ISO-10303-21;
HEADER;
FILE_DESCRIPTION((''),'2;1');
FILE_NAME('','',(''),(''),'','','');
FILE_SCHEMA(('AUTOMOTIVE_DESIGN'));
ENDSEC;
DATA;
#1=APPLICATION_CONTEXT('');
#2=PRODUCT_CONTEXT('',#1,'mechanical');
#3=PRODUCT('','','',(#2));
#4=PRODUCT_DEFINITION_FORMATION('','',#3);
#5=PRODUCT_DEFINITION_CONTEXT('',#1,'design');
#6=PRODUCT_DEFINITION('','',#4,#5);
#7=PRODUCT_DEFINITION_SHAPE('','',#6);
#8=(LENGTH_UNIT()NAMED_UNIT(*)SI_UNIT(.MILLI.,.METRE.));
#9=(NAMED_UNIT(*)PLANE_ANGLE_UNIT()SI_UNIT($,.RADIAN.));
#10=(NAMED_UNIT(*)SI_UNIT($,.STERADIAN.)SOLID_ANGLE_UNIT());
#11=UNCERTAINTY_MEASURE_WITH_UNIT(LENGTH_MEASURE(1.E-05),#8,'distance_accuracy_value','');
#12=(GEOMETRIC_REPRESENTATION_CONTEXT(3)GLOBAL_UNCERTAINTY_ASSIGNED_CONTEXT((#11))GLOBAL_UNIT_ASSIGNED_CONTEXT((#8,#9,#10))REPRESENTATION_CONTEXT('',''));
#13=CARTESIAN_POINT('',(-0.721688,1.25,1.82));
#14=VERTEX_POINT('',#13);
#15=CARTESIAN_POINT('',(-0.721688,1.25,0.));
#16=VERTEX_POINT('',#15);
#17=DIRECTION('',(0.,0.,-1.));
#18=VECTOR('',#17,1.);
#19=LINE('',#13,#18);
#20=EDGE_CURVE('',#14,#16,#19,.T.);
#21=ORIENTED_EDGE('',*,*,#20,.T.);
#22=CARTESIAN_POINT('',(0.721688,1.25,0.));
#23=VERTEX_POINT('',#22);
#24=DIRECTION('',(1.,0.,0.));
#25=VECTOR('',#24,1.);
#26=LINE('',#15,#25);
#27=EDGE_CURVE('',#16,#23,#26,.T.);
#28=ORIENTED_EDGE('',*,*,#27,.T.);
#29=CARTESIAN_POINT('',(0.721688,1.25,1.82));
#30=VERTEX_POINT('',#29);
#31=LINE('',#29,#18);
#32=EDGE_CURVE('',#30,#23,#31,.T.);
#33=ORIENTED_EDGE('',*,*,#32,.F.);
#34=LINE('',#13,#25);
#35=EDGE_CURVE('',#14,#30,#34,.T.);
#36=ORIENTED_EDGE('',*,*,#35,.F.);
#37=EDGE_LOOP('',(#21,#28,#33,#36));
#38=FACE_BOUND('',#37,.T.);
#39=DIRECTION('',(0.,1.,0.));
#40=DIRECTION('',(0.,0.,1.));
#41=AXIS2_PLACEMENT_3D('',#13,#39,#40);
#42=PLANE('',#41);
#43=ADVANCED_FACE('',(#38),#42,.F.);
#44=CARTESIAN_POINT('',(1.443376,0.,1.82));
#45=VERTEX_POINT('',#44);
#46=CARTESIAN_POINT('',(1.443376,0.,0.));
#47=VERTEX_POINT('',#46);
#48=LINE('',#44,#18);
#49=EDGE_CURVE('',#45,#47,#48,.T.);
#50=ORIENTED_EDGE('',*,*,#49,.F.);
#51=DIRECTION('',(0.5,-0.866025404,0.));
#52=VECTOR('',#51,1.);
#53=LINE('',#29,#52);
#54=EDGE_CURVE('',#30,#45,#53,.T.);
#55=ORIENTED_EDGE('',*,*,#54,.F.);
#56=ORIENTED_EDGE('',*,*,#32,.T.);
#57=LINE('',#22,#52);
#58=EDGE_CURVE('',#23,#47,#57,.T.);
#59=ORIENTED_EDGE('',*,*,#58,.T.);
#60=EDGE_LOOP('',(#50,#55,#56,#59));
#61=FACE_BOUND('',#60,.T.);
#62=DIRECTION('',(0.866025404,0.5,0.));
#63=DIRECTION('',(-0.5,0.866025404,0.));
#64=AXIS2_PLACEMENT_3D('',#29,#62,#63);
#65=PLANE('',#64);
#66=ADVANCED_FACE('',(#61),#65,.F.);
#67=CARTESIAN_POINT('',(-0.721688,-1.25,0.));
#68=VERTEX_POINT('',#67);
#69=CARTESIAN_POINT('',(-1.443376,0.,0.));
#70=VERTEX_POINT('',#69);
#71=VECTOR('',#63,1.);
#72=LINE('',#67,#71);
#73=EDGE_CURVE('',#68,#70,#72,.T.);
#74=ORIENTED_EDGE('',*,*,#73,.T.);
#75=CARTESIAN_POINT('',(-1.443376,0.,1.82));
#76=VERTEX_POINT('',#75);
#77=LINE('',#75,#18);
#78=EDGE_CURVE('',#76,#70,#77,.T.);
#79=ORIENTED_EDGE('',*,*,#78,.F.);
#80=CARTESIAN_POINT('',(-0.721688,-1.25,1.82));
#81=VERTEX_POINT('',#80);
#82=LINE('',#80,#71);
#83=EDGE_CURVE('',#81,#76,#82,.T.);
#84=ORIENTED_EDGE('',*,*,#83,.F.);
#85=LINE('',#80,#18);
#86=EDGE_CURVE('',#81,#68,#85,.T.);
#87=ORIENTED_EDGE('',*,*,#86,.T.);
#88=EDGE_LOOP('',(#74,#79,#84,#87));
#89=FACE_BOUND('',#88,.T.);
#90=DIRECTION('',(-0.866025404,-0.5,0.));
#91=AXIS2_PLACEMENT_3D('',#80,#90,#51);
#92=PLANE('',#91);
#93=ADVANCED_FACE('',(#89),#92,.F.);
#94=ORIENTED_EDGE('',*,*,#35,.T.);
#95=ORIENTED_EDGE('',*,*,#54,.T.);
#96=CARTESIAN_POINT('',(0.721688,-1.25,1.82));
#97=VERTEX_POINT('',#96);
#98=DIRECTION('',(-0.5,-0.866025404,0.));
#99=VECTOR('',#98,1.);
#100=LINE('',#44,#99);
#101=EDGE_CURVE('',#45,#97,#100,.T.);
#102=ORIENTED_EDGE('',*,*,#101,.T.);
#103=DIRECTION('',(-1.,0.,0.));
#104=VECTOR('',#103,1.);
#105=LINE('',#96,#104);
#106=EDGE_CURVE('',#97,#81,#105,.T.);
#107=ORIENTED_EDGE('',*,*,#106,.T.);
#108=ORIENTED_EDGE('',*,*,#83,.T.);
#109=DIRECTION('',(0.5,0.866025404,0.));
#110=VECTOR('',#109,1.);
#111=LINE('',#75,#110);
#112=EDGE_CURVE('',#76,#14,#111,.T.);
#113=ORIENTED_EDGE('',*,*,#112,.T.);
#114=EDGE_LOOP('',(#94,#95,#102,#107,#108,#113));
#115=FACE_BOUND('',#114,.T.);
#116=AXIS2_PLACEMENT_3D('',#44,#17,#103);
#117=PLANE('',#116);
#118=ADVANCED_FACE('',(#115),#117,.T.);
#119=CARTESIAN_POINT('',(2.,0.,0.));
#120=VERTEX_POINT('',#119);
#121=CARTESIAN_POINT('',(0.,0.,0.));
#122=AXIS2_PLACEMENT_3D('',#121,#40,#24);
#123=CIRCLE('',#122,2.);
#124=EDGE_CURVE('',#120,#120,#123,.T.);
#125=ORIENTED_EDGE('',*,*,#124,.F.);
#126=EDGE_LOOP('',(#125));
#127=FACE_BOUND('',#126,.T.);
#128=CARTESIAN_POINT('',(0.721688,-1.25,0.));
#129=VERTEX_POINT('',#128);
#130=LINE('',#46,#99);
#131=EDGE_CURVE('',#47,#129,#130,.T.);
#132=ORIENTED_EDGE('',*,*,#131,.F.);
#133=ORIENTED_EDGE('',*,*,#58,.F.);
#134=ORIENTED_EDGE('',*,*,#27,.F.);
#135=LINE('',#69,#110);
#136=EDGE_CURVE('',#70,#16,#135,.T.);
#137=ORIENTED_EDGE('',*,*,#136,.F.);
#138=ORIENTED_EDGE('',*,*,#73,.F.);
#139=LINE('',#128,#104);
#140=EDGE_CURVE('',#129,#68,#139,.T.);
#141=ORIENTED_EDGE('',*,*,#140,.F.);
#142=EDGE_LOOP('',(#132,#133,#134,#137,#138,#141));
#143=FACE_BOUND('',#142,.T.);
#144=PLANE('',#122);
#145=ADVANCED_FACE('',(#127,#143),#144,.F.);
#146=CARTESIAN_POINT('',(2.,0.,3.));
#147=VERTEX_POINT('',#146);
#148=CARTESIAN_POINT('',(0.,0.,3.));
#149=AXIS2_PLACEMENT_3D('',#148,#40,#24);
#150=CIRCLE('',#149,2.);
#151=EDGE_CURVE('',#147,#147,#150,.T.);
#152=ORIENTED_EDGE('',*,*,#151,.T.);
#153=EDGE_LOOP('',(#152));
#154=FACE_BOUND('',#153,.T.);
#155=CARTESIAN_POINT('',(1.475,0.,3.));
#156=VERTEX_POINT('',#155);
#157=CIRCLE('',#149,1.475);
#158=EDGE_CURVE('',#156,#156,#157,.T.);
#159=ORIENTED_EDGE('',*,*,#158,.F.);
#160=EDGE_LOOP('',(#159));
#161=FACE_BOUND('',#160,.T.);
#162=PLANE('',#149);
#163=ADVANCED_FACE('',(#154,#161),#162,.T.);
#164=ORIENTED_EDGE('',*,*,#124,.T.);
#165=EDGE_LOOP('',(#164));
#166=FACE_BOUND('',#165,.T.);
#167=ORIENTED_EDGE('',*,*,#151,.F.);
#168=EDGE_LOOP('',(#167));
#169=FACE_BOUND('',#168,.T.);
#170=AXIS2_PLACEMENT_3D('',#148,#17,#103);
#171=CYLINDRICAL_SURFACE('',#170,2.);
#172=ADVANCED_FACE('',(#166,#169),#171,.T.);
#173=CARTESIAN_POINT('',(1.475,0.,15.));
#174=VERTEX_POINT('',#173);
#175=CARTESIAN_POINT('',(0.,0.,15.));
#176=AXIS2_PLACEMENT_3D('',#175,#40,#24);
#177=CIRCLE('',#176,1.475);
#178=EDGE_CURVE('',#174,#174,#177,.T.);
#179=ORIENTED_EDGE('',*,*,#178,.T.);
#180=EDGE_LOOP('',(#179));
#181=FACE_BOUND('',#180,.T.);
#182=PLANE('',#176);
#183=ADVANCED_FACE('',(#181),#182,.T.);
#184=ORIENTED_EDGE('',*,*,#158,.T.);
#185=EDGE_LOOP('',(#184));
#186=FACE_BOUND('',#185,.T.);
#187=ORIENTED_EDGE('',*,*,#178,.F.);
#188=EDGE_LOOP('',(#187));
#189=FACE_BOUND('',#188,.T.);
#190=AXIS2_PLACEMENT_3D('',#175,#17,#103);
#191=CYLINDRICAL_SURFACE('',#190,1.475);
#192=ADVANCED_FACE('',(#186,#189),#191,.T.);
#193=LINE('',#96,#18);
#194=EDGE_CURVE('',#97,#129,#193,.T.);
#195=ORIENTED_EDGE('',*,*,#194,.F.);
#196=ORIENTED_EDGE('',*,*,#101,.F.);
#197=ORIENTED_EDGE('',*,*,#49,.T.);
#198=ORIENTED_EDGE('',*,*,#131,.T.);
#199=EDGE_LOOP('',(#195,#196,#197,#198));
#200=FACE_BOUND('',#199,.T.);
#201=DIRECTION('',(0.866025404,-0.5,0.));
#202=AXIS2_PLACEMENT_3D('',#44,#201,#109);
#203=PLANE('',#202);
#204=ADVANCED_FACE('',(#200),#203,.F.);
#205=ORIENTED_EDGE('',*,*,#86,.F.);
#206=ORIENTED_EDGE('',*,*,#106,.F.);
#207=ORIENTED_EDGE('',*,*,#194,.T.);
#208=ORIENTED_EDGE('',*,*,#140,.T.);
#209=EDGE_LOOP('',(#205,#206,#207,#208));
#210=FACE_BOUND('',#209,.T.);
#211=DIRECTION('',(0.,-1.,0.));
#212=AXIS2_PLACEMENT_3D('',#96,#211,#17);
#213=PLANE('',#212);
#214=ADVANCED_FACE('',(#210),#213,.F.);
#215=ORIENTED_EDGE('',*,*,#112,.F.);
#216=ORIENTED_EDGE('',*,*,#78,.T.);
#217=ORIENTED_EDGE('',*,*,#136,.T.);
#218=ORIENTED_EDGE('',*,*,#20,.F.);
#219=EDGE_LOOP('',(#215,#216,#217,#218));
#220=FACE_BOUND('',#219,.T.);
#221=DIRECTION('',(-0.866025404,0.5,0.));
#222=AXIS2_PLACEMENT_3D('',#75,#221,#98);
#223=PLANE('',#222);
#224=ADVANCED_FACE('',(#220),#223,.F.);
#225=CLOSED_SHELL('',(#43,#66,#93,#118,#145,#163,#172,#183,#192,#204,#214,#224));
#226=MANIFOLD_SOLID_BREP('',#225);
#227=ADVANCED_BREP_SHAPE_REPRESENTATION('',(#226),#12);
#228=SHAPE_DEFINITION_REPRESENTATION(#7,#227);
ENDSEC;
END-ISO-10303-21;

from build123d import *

# Parameters (mm, degrees)
SKETCH1_R      = 2
EXTRUDE1_DEPTH = 3
EXTRUDE3_DEPTH = 1.82
SKETCH2_R      = 1.475
EXTRUDE2_DEPTH = 12


with BuildPart() as part:
    # Sketch1 → Extrude1 (new body)
    with BuildSketch(Plane.XY):
        Circle(SKETCH1_R)
    extrude(amount=EXTRUDE1_DEPTH)

    # Sketch3 → Extrude3 (cut)
    with BuildSketch(Plane(origin=(0, 0, 0), x_dir=(-1, 0, 0), z_dir=(0, 0, -1))):
        Polygon((-1.443375673, 0), (-0.721687836, -1.25), (0.721687836, -1.25), (1.443375673, 0), (0.721687836, 1.25), (-0.721687836, 1.25), align=None)
    extrude(amount=-EXTRUDE3_DEPTH, mode=Mode.SUBTRACT)

    # Sketch2 → Extrude2 (add)
    with BuildSketch(Plane.XY.offset(3)):
        Circle(SKETCH2_R)
    extrude(amount=EXTRUDE2_DEPTH)


solid = part.part
